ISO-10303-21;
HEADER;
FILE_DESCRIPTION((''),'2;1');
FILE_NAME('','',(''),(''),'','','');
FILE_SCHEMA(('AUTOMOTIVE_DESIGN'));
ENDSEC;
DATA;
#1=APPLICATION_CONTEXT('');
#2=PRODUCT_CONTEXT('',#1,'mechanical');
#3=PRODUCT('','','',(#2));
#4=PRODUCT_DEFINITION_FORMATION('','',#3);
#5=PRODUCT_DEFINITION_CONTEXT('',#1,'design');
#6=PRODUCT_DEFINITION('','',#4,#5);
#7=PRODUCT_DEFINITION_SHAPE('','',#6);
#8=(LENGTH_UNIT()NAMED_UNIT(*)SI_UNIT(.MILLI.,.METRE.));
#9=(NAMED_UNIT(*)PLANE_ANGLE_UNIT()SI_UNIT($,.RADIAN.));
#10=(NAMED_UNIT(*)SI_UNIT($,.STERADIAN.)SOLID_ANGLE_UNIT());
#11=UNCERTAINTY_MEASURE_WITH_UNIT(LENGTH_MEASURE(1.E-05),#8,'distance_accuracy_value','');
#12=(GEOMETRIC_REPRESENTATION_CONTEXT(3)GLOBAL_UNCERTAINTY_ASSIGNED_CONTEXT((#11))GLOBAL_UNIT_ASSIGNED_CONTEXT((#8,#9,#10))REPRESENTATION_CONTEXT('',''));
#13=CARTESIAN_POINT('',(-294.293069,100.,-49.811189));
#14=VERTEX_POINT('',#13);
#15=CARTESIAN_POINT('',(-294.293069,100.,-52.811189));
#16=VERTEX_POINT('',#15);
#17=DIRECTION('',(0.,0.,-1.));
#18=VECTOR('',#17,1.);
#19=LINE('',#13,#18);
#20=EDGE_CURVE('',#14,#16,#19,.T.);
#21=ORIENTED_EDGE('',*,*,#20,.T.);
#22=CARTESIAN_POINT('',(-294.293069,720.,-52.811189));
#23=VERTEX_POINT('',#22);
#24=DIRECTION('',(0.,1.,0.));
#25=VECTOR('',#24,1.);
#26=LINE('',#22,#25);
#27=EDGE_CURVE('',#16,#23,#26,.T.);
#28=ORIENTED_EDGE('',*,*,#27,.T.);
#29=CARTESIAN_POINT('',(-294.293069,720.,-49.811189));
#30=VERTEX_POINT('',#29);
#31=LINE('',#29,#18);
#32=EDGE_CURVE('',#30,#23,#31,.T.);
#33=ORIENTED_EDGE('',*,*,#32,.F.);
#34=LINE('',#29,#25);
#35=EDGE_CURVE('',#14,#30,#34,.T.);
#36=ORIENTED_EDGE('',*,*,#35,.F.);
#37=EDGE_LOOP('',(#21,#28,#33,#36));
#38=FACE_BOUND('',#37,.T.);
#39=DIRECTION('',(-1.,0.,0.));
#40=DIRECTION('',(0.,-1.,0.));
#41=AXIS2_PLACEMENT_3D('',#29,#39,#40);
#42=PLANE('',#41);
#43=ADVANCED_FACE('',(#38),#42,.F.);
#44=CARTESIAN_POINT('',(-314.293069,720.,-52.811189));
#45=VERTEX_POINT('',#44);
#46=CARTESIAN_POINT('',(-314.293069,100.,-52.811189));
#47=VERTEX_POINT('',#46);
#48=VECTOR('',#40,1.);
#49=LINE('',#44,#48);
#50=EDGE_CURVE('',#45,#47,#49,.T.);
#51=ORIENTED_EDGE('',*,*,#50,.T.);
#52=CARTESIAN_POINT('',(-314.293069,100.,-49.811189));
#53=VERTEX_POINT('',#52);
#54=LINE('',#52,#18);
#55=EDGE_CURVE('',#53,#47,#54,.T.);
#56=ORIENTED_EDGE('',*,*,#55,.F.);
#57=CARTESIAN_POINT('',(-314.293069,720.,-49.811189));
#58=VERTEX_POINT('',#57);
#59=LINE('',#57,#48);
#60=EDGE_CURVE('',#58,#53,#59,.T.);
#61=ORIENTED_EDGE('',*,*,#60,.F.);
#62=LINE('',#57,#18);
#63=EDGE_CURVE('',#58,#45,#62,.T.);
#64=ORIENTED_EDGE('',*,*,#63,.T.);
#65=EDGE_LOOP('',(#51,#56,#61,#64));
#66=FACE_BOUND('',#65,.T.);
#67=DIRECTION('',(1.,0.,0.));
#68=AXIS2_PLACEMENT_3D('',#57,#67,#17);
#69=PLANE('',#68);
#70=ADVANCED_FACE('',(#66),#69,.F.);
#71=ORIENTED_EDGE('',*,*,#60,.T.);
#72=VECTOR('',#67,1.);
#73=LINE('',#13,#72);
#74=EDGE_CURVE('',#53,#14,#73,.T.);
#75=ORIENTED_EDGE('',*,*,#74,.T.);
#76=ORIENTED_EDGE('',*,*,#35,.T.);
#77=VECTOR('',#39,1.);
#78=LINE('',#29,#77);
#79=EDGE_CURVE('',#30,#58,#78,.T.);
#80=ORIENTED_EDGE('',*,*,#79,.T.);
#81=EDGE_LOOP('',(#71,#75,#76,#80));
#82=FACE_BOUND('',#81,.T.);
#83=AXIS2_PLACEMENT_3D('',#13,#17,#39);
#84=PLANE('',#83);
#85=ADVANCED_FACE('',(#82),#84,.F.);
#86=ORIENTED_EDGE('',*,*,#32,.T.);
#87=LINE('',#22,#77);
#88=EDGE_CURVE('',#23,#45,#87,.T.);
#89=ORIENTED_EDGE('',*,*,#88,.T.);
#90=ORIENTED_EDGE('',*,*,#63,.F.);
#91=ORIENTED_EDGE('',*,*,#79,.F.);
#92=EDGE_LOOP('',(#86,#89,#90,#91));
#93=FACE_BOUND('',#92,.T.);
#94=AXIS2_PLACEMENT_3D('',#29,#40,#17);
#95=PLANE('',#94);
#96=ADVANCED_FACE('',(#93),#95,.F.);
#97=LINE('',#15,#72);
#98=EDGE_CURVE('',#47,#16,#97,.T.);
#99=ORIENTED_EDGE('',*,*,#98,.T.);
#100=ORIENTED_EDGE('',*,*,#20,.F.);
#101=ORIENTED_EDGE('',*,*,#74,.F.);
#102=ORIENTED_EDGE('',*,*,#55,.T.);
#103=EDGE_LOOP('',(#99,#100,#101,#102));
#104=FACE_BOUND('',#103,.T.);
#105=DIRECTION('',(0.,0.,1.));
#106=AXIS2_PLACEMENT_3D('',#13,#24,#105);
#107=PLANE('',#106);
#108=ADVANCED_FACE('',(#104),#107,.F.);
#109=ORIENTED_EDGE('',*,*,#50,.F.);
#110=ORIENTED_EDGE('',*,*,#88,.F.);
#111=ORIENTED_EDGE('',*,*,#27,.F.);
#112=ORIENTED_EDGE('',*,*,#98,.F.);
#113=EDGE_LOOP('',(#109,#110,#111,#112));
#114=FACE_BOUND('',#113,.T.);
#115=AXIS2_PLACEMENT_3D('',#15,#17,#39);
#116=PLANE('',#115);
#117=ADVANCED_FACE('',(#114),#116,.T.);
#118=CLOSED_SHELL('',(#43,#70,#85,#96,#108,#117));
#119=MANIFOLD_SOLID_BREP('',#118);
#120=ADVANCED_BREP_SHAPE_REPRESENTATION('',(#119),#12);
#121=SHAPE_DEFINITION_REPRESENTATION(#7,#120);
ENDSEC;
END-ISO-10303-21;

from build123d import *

# Parameters (mm, degrees)
SKETCH1_W           = 20
SKETCH1_H           = 620
BOSS_EXTRUDE1_DEPTH = 3


with BuildPart() as part:
    # Sketch1 → Boss-Extrude1 (new body)
    with BuildSketch(Plane.XY.offset(-52.811189353)):
        with Locations((-304.293069475, 410)):
            Rectangle(SKETCH1_W, SKETCH1_H)
    extrude(amount=BOSS_EXTRUDE1_DEPTH)


solid = part.part
